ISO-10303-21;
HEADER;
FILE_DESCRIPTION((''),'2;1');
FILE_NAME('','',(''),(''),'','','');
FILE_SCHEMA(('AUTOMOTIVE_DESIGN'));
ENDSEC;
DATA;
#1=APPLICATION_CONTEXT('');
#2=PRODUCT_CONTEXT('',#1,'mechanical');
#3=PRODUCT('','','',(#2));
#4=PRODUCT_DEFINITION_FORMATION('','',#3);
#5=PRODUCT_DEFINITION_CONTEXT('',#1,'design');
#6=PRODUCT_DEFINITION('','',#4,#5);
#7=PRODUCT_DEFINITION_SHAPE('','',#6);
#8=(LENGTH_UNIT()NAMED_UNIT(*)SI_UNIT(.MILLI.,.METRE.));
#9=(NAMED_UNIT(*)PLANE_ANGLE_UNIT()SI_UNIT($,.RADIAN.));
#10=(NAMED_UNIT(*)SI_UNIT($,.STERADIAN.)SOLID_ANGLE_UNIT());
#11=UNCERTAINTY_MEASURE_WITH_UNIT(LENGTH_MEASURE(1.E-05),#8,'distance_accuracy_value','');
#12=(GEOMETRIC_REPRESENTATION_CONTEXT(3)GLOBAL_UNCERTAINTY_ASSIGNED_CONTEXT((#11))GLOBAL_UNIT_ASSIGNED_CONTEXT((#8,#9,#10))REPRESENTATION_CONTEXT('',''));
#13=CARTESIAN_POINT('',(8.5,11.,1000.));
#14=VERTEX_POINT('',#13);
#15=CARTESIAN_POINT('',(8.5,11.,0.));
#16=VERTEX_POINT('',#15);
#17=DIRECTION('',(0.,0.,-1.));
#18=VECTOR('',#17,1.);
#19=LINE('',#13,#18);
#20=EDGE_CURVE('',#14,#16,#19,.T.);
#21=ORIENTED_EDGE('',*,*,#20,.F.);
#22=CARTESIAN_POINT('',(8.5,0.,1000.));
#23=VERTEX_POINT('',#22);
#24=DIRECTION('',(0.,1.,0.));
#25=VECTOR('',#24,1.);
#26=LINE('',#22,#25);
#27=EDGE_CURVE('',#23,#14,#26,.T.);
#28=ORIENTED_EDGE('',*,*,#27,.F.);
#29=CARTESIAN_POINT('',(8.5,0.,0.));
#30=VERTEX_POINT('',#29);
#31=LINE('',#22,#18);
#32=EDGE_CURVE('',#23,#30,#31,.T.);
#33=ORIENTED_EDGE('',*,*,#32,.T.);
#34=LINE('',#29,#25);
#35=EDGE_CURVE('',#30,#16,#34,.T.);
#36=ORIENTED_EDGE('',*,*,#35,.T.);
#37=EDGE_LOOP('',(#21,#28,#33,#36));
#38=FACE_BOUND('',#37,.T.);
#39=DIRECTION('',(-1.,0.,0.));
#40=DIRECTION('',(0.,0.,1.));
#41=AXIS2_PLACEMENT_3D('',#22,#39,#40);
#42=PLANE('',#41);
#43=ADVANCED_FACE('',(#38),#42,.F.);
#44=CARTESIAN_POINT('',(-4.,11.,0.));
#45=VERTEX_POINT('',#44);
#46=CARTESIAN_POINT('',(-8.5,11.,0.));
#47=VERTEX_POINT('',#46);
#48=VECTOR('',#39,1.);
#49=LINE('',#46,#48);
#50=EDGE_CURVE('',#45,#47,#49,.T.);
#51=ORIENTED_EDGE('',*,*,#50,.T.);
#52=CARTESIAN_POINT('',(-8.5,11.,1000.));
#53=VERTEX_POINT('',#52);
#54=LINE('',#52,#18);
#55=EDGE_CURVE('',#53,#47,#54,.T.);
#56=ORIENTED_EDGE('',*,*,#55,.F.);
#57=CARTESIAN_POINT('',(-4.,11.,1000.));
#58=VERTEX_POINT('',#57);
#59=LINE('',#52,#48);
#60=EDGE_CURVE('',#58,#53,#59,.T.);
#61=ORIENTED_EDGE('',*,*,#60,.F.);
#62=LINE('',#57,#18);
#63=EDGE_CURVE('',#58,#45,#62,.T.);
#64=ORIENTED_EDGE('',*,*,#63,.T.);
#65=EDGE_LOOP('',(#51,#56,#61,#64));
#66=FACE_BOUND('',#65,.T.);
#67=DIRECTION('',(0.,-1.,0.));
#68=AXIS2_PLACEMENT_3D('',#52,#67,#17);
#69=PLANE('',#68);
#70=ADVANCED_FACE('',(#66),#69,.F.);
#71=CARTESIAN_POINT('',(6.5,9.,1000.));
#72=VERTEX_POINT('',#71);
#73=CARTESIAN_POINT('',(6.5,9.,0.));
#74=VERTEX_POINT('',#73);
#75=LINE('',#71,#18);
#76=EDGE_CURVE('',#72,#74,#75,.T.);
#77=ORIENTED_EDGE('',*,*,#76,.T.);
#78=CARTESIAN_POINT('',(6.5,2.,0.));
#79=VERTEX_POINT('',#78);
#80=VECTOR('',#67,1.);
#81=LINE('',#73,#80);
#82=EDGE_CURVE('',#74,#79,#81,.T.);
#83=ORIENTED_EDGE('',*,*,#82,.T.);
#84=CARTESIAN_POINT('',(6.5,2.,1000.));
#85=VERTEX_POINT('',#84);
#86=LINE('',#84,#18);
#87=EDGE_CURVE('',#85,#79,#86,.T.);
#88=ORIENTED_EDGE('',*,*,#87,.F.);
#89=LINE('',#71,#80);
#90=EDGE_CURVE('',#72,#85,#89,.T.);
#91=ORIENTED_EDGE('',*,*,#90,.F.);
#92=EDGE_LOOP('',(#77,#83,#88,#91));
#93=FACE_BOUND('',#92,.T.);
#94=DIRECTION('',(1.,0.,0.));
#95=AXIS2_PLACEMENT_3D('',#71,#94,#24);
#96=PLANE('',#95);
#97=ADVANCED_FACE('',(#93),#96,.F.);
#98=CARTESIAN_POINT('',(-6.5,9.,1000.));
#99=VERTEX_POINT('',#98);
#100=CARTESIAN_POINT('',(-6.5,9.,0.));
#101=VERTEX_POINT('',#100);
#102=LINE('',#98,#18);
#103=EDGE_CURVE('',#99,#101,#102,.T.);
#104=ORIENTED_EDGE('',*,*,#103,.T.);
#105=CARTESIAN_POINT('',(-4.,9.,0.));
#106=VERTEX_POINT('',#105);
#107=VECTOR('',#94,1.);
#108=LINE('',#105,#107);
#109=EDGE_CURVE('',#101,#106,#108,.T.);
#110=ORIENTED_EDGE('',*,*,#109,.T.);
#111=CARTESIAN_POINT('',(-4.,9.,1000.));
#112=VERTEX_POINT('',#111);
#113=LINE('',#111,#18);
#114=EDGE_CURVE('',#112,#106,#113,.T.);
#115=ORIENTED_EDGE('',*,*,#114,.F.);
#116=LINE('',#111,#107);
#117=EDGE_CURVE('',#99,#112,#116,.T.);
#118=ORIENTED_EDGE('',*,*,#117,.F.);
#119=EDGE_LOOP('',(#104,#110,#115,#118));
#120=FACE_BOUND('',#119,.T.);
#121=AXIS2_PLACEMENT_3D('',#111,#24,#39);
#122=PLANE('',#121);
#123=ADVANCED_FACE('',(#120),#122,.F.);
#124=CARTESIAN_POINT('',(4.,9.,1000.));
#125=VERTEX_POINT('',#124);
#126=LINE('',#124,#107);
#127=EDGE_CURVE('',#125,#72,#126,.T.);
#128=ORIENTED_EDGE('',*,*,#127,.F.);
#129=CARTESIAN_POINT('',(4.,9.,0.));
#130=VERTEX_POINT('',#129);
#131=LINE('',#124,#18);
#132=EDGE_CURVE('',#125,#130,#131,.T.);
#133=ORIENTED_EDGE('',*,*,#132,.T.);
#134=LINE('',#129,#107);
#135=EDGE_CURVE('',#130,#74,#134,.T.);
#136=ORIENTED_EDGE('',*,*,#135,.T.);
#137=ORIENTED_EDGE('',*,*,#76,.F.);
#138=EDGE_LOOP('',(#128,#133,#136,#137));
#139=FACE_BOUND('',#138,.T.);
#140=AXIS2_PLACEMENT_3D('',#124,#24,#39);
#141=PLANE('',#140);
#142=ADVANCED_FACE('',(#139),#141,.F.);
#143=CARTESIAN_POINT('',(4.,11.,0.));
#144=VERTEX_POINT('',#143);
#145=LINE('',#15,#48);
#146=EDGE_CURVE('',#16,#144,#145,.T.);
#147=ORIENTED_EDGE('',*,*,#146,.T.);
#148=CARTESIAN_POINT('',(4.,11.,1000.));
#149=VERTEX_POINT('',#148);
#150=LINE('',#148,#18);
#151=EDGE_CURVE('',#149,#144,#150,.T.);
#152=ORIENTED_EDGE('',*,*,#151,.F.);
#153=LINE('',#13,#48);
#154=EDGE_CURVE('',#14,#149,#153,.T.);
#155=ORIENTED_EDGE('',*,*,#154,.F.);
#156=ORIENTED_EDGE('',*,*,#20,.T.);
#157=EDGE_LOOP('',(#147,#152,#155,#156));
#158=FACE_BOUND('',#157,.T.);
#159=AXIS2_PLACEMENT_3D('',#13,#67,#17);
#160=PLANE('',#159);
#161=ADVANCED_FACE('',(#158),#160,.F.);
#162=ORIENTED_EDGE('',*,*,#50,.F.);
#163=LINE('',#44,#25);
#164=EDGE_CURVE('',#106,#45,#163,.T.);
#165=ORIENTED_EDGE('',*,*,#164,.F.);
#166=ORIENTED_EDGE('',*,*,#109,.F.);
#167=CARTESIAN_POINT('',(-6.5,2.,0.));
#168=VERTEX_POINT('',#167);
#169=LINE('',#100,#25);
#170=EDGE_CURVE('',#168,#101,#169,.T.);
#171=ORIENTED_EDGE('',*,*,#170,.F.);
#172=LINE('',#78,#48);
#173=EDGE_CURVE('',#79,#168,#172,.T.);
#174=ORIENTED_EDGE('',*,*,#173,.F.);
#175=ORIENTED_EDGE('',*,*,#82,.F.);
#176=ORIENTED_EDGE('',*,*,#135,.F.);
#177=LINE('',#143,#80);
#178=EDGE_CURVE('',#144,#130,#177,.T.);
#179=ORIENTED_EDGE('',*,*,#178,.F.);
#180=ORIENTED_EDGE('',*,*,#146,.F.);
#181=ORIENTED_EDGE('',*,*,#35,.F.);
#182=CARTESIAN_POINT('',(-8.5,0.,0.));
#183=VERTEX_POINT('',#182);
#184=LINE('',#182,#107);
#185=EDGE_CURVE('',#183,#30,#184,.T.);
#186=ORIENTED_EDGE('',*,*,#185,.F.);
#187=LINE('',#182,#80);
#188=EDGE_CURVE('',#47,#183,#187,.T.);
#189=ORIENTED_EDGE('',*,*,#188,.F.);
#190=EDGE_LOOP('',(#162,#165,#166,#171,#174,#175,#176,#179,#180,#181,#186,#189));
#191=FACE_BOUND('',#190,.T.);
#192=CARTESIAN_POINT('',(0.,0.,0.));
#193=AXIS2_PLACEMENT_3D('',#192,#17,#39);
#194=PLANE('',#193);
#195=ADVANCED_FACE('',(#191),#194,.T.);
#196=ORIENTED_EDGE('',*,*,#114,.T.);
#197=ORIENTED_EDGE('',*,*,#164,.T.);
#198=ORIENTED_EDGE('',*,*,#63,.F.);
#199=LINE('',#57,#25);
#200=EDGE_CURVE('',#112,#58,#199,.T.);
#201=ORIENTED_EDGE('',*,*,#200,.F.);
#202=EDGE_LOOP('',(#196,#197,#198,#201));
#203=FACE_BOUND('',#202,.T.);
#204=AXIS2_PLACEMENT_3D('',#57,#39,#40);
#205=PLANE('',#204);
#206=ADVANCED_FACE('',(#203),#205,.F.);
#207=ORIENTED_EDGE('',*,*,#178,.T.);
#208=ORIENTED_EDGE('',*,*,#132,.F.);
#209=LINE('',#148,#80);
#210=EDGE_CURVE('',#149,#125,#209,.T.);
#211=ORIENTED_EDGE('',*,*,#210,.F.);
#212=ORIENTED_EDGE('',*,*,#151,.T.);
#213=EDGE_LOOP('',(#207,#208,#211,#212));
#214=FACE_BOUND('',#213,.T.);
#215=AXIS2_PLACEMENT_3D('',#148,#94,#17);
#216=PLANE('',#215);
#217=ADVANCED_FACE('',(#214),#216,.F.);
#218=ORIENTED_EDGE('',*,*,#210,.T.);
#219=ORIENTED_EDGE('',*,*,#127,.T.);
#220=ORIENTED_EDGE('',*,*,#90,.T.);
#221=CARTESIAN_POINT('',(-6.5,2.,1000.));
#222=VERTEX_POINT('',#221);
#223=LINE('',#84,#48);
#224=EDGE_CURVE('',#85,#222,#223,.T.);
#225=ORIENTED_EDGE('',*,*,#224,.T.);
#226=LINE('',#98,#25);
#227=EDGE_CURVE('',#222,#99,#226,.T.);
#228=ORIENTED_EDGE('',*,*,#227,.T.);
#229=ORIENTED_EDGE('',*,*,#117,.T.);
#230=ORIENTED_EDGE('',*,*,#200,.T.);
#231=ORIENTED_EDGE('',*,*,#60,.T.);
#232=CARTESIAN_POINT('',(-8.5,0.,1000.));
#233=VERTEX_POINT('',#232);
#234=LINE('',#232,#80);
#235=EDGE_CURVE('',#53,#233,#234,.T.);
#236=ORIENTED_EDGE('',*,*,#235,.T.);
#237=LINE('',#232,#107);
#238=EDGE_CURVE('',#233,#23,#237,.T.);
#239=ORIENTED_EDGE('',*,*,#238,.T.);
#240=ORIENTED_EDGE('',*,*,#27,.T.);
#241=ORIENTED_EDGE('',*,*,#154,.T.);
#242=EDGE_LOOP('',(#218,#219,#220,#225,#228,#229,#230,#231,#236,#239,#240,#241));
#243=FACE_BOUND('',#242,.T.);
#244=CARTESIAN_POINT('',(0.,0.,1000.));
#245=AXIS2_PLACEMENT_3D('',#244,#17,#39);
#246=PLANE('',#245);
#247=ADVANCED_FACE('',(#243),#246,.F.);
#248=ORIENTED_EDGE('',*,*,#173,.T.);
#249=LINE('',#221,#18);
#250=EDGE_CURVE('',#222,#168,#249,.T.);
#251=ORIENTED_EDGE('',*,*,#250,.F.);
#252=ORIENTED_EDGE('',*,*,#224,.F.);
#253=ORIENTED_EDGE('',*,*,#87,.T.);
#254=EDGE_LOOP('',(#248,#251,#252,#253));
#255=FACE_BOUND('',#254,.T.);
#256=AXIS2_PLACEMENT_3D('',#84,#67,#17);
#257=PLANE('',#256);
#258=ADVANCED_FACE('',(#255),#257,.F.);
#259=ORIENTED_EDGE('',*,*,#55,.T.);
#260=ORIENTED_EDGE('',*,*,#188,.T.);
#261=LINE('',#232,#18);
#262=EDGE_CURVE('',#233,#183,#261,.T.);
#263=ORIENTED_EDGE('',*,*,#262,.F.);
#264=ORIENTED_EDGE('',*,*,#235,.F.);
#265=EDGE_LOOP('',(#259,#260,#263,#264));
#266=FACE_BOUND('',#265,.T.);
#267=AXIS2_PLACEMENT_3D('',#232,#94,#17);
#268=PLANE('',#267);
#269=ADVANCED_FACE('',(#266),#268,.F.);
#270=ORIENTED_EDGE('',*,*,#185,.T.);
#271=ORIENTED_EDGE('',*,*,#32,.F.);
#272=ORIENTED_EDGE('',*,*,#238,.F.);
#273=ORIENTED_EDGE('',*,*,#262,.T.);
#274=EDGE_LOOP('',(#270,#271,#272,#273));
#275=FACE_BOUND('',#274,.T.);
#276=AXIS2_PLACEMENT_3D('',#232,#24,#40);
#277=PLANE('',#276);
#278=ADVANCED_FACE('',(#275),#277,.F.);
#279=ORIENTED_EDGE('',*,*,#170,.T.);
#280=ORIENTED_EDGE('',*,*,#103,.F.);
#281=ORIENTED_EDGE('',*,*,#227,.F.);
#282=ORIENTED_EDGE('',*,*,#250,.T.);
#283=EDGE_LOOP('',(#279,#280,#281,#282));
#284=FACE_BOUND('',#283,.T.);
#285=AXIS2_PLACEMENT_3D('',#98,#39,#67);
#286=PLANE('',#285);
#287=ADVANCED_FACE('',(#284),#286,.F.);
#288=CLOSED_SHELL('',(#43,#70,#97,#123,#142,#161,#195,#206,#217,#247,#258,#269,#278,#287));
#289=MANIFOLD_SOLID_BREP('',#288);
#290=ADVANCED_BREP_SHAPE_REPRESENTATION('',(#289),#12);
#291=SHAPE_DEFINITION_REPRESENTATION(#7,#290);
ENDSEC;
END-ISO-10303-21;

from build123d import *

# Parameters (mm, degrees)
AUFSATZ_LINEAR_AUSTRAGEN1_DEPTH = 1000


with BuildPart() as part:
    # Skizze1 → Aufsatz-Linear austragen1 (new body)
    with BuildSketch(Plane.XY):
        Polygon((-8.5, 0), (8.5, 0), (8.5, 11), (4, 11), (4, 9), (6.5, 9), (6.5, 2), (-6.5, 2), (-6.5, 9), (-4, 9), (-4, 11), (-8.5, 11), align=None)
    extrude(amount=AUFSATZ_LINEAR_AUSTRAGEN1_DEPTH)


solid = part.part
